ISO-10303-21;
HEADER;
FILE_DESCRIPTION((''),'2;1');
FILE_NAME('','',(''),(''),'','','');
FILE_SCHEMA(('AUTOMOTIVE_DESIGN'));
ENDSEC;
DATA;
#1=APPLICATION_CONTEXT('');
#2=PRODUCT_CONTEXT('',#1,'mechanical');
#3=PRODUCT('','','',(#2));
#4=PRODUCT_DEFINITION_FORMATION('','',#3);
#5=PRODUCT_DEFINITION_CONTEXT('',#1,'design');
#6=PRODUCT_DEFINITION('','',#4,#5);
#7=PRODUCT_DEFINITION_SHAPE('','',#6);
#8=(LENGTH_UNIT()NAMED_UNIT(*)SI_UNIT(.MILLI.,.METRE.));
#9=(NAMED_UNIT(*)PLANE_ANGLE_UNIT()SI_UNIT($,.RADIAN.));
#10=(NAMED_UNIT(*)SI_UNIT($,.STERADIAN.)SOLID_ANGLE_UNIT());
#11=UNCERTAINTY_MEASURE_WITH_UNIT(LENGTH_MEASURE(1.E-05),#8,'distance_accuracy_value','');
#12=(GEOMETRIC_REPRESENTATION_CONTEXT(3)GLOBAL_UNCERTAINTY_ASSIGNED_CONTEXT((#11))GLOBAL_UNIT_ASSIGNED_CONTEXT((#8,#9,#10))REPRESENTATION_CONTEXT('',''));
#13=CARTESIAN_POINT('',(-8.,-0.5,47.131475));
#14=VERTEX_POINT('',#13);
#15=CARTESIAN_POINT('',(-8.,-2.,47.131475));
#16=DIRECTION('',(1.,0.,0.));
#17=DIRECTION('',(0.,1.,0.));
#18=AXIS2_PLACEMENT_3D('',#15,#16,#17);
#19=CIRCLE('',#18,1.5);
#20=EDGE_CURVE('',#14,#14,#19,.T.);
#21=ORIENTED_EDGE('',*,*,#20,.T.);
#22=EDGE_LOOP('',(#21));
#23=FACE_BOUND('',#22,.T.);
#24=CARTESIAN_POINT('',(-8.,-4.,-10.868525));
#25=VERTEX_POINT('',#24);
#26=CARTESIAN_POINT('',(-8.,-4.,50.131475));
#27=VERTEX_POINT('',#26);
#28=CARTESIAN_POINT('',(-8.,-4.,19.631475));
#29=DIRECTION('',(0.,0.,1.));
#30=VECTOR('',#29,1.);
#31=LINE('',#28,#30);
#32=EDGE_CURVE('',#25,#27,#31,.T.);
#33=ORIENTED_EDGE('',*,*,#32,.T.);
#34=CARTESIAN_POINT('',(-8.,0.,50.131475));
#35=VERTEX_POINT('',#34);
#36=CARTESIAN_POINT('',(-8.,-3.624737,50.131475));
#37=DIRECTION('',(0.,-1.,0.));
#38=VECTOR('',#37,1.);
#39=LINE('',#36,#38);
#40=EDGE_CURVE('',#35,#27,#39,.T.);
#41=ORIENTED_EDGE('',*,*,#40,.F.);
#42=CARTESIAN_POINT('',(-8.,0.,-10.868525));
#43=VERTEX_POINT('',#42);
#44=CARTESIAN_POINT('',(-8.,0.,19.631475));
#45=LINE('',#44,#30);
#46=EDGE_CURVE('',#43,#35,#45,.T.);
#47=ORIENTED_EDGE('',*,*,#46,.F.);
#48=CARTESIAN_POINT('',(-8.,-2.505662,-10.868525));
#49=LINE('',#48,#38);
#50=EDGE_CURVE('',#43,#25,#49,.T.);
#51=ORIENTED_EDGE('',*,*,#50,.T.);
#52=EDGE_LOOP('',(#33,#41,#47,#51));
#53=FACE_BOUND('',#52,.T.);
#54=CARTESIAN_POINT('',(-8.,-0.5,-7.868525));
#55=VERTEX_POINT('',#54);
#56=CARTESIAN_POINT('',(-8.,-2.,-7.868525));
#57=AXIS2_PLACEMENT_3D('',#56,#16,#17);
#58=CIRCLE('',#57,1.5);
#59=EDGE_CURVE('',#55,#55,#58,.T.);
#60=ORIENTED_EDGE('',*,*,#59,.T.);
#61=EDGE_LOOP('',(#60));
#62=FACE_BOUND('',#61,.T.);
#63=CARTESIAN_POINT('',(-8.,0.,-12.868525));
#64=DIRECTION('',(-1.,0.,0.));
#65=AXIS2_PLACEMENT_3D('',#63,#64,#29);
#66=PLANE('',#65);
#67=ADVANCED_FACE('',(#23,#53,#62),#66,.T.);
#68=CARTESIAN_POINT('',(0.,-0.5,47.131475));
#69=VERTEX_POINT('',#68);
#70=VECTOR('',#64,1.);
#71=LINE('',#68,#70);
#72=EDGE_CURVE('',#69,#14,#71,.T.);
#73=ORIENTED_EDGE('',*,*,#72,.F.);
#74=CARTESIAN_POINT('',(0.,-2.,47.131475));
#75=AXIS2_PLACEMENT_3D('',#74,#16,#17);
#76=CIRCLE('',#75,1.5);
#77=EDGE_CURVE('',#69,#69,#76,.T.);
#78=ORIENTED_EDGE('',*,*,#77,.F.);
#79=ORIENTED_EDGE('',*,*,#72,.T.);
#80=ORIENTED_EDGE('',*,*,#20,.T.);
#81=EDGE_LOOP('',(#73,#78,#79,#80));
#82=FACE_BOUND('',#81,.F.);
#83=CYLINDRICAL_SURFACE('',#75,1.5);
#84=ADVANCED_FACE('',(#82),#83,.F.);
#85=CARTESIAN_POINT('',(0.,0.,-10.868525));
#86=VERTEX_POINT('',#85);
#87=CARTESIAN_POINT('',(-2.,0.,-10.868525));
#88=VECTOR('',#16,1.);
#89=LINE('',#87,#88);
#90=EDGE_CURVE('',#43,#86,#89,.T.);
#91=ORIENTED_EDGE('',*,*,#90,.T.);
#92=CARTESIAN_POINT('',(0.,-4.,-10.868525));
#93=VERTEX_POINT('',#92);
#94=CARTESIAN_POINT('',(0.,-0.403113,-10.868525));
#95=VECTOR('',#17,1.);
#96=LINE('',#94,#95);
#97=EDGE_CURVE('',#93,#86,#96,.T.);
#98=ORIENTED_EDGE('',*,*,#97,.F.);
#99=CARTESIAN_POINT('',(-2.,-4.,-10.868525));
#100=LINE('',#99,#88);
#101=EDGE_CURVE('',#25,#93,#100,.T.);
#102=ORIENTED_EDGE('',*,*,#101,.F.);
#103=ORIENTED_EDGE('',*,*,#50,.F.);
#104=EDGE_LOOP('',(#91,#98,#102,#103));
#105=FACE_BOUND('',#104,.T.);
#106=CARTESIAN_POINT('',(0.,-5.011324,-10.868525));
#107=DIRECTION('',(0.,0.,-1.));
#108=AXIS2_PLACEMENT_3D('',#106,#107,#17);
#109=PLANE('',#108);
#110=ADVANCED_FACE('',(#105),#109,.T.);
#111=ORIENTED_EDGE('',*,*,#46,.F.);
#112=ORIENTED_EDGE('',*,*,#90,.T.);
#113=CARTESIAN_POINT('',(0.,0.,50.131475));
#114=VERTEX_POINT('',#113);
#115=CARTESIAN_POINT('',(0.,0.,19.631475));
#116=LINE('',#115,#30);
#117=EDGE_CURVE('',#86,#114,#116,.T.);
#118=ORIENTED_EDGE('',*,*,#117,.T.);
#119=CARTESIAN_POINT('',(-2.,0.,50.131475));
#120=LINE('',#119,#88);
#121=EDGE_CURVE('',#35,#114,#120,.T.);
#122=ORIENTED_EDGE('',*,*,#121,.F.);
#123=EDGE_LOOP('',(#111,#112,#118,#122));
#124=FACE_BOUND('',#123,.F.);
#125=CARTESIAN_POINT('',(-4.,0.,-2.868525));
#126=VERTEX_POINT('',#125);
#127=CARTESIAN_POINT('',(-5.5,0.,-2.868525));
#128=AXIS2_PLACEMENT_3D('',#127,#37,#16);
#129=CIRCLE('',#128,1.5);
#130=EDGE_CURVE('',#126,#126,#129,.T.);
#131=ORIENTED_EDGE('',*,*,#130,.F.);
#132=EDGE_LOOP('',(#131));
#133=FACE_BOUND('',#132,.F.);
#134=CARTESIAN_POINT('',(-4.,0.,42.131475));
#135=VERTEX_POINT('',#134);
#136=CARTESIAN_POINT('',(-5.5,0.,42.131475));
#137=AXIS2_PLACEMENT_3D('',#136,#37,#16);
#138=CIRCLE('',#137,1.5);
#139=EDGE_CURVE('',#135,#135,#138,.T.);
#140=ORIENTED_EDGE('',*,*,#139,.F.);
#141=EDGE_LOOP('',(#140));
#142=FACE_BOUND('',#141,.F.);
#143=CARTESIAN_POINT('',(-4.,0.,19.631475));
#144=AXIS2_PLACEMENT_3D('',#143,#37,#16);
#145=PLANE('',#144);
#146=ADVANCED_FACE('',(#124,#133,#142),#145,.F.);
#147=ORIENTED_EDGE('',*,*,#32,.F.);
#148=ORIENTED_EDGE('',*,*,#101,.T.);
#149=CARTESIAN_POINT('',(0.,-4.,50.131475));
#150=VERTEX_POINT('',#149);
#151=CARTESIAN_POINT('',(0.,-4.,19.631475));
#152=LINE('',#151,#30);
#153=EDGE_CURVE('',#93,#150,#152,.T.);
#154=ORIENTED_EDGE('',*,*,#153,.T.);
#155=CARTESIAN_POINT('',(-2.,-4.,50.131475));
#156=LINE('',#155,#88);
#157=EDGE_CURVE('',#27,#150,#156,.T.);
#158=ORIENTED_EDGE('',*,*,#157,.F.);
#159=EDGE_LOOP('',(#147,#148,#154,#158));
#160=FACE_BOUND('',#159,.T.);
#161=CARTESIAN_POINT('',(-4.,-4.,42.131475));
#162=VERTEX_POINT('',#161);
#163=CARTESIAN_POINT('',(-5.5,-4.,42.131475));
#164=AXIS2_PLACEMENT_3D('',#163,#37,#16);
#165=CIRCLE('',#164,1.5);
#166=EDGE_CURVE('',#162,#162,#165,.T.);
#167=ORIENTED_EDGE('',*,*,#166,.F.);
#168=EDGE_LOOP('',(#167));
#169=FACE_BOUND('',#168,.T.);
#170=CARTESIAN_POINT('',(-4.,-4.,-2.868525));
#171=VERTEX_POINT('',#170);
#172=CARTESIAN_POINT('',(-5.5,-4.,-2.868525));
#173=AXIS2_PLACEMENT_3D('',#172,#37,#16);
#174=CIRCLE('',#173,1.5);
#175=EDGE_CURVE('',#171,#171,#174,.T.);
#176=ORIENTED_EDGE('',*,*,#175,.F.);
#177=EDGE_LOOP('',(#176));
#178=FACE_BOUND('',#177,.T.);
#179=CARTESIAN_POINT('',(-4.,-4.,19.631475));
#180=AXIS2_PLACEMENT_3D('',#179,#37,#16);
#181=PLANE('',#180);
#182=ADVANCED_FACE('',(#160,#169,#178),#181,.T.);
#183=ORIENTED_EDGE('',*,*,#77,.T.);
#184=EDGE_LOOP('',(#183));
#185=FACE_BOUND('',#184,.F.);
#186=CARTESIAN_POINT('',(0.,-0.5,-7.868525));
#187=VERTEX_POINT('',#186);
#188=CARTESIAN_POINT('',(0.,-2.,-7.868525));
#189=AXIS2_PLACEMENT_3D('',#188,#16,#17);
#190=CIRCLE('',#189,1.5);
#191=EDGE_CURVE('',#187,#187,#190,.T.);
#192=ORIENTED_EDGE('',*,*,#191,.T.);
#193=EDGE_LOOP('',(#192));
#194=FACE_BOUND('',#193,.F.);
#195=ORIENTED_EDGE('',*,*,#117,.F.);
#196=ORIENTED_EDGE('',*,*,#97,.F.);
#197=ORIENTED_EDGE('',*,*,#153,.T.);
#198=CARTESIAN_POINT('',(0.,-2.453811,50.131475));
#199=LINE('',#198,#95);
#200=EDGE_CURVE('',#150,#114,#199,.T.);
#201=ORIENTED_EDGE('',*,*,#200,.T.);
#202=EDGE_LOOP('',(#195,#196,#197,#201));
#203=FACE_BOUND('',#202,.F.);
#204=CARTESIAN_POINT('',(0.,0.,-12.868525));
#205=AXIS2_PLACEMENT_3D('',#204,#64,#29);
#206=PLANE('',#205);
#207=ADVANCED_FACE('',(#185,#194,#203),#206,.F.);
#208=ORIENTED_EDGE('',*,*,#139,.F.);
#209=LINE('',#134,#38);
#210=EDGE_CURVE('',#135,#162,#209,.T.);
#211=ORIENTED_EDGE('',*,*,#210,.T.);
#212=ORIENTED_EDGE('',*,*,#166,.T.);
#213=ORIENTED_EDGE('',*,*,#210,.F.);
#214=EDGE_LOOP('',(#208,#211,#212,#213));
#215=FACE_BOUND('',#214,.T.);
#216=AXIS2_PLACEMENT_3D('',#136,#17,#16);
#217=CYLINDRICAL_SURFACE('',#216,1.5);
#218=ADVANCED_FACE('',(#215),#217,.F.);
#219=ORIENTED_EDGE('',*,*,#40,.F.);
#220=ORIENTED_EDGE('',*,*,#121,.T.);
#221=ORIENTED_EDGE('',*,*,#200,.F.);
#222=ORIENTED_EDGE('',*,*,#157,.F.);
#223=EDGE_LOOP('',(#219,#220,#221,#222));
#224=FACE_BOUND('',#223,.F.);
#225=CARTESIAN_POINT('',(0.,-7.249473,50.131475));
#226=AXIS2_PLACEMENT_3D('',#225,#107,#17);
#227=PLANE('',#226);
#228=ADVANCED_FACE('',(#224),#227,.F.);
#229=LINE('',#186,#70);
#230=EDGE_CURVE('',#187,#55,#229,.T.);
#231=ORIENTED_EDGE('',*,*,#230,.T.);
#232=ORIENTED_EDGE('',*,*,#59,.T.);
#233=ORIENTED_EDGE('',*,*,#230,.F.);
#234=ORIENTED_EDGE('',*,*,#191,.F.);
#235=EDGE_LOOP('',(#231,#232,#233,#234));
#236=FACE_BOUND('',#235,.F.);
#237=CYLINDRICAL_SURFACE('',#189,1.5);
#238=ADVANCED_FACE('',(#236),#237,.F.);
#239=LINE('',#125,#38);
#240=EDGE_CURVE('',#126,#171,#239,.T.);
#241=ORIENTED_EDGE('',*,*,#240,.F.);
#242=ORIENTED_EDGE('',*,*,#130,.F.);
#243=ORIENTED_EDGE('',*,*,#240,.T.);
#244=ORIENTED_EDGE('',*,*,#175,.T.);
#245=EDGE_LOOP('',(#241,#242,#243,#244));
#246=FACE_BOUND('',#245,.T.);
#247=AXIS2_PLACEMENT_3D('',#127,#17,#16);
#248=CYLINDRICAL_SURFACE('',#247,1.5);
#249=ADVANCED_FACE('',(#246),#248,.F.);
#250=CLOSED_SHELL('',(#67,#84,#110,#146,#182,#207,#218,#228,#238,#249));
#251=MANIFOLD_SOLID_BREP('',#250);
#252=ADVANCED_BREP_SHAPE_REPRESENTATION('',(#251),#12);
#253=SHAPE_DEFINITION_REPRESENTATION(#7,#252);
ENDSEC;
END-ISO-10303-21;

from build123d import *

# Parameters (mm, degrees)
F0_W     = 8
F0_H     = 65
F0_R     = 1.5
F1_DEPTH = 4
F2_R     = 1.5
F3_DEPTH = 25
F4_W     = 9.591324
F4_H     = 3.160866
F4_W_2   = 9.216423
F4_H_2   = 3.027778
F5_DEPTH = 25


with BuildPart() as f1:
    # F0 (on Front) → F1 (new body)
    with BuildSketch(Plane.XZ):
        with Locations((-4, 19.631475)):
            Rectangle(F0_W, F0_H)
        with Locations((-5.5, -2.868525)):
            Circle(F0_R, mode=Mode.SUBTRACT)
        with Locations((-5.5, 42.131475)):
            Circle(F0_R, mode=Mode.SUBTRACT)
    extrude(amount=F1_DEPTH)

    # F2 (on face) → F3 (cut)
    with BuildSketch(Plane.YZ):
        with Locations((-2, 47.131475)):
            Circle(F2_R)
        with Locations((-2, -7.868525)):
            Circle(F2_R)
    extrude(amount=-F3_DEPTH, mode=Mode.SUBTRACT)

    # F4 (on face) → F5 (cut)
    with BuildSketch(Plane.YZ):
        with Locations((-2.453811, 51.711908)):
            Rectangle(F4_W, F4_H)
        with Locations((-0.403113, -12.382414)):
            Rectangle(F4_W_2, F4_H_2)
    extrude(amount=-F5_DEPTH, mode=Mode.SUBTRACT)


solid = f1.part
